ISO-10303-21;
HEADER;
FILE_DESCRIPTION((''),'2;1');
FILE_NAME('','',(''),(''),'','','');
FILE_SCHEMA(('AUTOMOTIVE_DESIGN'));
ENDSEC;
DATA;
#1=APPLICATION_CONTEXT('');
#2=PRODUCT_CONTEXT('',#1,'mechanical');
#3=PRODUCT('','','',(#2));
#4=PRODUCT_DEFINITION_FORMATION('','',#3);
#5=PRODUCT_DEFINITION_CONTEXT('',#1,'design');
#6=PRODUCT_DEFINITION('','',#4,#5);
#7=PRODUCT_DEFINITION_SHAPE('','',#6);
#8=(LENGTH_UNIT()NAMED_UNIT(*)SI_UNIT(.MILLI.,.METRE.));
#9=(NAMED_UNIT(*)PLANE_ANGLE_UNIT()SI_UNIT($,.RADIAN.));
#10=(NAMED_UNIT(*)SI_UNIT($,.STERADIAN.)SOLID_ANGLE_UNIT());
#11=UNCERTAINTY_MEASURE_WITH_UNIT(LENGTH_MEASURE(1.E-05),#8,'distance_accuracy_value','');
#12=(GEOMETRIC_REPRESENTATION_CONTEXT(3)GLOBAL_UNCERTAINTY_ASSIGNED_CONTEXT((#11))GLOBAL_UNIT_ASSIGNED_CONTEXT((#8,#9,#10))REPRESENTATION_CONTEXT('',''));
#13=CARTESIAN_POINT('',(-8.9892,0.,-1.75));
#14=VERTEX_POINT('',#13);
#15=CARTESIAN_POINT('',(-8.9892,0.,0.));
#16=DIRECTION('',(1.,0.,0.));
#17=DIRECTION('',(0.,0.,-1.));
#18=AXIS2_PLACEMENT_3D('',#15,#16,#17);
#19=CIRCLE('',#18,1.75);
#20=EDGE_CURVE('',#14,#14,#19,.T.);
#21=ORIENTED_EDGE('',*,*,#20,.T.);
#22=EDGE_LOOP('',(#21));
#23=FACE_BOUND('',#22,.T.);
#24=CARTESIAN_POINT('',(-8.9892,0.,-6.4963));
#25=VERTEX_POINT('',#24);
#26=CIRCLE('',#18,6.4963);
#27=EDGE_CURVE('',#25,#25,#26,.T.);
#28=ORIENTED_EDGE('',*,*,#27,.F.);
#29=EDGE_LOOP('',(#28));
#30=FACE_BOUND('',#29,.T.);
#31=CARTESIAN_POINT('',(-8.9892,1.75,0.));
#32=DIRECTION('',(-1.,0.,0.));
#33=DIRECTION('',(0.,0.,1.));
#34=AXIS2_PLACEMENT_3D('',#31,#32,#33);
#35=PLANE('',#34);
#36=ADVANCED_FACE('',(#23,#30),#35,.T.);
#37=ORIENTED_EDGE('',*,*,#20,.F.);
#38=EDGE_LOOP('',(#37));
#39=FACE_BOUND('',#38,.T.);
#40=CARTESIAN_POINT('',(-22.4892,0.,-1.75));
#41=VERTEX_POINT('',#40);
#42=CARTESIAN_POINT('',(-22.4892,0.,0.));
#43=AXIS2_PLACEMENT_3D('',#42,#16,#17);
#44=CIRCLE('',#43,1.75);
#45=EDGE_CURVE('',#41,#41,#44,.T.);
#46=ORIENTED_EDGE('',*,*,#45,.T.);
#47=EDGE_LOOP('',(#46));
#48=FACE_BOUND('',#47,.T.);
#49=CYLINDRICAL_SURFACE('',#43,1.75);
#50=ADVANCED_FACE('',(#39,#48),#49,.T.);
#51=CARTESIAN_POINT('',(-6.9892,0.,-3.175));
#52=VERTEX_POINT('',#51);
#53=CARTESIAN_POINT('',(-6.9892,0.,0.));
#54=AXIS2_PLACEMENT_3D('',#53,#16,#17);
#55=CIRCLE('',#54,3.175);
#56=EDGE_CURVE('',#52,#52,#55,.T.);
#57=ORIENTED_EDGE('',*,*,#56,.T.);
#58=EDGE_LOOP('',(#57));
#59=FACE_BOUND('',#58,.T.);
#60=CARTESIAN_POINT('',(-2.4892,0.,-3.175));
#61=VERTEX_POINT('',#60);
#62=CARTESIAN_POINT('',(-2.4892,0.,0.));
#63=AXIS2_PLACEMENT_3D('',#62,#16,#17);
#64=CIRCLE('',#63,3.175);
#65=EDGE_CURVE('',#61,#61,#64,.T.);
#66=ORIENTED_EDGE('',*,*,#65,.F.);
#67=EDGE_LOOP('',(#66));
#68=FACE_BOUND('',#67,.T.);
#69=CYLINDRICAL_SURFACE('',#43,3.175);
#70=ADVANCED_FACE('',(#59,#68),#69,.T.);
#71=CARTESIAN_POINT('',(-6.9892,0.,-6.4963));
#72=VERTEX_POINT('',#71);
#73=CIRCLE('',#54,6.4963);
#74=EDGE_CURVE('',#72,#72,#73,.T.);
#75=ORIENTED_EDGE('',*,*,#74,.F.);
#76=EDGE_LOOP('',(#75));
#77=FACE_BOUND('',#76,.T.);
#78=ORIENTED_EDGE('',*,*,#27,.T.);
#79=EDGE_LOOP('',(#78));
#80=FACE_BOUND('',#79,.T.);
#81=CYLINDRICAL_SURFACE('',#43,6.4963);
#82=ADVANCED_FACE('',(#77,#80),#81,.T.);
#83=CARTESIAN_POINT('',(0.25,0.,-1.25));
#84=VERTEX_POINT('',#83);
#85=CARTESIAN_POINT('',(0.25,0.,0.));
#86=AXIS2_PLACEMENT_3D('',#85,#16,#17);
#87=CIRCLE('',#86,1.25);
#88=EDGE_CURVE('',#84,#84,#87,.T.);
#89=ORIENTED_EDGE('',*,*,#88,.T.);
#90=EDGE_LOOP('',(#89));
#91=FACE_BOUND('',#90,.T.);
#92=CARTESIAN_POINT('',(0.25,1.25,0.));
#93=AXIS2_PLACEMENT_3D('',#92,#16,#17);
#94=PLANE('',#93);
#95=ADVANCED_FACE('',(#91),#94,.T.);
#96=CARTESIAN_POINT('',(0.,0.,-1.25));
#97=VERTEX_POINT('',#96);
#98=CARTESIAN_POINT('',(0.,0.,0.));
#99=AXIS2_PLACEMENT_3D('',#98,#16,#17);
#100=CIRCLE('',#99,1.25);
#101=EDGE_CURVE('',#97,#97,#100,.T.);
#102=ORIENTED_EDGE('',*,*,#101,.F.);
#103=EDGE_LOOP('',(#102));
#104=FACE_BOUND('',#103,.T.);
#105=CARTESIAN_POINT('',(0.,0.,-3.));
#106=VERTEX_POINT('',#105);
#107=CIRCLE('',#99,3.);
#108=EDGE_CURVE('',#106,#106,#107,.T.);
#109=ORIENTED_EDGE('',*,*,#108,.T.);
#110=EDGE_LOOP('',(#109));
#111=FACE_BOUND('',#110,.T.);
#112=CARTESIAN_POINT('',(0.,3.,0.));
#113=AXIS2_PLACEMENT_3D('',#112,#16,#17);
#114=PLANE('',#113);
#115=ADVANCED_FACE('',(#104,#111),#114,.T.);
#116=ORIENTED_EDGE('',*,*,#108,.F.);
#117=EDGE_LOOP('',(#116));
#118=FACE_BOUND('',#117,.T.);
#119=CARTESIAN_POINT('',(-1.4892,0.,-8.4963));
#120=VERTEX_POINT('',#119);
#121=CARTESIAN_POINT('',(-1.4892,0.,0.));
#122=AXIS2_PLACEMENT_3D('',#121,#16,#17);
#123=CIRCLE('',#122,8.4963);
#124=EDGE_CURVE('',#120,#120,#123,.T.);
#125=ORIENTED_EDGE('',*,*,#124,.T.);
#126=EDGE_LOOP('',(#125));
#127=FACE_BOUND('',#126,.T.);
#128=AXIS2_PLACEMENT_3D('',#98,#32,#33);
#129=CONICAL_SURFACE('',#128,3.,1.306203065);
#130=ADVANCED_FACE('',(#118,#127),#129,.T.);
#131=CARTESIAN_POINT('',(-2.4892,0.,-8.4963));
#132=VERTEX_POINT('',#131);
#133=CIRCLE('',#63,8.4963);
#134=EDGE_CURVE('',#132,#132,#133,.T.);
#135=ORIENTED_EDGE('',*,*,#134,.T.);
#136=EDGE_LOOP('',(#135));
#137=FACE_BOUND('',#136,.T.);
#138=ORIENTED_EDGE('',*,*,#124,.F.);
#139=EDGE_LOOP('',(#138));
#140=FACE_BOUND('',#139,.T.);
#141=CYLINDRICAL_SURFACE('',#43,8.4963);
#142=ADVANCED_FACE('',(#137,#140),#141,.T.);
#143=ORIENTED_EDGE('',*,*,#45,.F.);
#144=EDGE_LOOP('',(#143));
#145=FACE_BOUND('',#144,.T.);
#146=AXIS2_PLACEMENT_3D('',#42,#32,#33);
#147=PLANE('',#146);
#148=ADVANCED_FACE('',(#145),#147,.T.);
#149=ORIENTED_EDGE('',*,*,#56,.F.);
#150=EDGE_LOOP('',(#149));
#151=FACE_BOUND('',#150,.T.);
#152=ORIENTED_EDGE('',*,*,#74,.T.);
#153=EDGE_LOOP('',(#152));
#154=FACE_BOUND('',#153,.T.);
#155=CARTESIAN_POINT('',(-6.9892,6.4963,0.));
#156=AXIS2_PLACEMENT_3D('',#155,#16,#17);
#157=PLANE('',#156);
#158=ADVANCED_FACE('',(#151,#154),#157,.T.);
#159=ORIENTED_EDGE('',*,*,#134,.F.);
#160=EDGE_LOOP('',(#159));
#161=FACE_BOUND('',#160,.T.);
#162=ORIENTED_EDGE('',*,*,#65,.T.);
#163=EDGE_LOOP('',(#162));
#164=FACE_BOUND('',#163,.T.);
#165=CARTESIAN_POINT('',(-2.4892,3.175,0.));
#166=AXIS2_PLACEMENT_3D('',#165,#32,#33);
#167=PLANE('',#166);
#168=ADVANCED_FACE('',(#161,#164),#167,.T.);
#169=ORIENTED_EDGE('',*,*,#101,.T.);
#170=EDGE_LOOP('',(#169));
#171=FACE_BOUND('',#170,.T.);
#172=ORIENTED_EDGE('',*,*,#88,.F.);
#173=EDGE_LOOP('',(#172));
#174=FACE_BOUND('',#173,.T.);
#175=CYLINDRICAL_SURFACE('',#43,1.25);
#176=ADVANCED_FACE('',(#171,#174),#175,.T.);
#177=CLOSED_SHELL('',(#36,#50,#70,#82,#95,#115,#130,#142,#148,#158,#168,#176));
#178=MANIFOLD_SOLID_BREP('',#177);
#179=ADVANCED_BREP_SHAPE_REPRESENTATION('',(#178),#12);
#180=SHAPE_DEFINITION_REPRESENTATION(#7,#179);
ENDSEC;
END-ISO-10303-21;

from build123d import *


with BuildPart() as part:
    # Sketch1 → Revolve1 (revolve)
    with BuildSketch(Plane.XY):
        Polygon((-22.4892, 1.75), (-8.9892, 1.75), (-8.9892, 6.4963), (-6.9892, 6.4963), (-6.9892, 3.175), (-2.4892, 3.175), (-2.4892, 8.4963), (-1.4892, 8.4963), (0, 3), (0, 1.25), (0.25, 1.25), (0.25, 0), (-22.4892, 0), align=None)
    revolve(axis=Axis((-22.4892, 0, 0), (-1, 0, 0)))


solid = part.part
